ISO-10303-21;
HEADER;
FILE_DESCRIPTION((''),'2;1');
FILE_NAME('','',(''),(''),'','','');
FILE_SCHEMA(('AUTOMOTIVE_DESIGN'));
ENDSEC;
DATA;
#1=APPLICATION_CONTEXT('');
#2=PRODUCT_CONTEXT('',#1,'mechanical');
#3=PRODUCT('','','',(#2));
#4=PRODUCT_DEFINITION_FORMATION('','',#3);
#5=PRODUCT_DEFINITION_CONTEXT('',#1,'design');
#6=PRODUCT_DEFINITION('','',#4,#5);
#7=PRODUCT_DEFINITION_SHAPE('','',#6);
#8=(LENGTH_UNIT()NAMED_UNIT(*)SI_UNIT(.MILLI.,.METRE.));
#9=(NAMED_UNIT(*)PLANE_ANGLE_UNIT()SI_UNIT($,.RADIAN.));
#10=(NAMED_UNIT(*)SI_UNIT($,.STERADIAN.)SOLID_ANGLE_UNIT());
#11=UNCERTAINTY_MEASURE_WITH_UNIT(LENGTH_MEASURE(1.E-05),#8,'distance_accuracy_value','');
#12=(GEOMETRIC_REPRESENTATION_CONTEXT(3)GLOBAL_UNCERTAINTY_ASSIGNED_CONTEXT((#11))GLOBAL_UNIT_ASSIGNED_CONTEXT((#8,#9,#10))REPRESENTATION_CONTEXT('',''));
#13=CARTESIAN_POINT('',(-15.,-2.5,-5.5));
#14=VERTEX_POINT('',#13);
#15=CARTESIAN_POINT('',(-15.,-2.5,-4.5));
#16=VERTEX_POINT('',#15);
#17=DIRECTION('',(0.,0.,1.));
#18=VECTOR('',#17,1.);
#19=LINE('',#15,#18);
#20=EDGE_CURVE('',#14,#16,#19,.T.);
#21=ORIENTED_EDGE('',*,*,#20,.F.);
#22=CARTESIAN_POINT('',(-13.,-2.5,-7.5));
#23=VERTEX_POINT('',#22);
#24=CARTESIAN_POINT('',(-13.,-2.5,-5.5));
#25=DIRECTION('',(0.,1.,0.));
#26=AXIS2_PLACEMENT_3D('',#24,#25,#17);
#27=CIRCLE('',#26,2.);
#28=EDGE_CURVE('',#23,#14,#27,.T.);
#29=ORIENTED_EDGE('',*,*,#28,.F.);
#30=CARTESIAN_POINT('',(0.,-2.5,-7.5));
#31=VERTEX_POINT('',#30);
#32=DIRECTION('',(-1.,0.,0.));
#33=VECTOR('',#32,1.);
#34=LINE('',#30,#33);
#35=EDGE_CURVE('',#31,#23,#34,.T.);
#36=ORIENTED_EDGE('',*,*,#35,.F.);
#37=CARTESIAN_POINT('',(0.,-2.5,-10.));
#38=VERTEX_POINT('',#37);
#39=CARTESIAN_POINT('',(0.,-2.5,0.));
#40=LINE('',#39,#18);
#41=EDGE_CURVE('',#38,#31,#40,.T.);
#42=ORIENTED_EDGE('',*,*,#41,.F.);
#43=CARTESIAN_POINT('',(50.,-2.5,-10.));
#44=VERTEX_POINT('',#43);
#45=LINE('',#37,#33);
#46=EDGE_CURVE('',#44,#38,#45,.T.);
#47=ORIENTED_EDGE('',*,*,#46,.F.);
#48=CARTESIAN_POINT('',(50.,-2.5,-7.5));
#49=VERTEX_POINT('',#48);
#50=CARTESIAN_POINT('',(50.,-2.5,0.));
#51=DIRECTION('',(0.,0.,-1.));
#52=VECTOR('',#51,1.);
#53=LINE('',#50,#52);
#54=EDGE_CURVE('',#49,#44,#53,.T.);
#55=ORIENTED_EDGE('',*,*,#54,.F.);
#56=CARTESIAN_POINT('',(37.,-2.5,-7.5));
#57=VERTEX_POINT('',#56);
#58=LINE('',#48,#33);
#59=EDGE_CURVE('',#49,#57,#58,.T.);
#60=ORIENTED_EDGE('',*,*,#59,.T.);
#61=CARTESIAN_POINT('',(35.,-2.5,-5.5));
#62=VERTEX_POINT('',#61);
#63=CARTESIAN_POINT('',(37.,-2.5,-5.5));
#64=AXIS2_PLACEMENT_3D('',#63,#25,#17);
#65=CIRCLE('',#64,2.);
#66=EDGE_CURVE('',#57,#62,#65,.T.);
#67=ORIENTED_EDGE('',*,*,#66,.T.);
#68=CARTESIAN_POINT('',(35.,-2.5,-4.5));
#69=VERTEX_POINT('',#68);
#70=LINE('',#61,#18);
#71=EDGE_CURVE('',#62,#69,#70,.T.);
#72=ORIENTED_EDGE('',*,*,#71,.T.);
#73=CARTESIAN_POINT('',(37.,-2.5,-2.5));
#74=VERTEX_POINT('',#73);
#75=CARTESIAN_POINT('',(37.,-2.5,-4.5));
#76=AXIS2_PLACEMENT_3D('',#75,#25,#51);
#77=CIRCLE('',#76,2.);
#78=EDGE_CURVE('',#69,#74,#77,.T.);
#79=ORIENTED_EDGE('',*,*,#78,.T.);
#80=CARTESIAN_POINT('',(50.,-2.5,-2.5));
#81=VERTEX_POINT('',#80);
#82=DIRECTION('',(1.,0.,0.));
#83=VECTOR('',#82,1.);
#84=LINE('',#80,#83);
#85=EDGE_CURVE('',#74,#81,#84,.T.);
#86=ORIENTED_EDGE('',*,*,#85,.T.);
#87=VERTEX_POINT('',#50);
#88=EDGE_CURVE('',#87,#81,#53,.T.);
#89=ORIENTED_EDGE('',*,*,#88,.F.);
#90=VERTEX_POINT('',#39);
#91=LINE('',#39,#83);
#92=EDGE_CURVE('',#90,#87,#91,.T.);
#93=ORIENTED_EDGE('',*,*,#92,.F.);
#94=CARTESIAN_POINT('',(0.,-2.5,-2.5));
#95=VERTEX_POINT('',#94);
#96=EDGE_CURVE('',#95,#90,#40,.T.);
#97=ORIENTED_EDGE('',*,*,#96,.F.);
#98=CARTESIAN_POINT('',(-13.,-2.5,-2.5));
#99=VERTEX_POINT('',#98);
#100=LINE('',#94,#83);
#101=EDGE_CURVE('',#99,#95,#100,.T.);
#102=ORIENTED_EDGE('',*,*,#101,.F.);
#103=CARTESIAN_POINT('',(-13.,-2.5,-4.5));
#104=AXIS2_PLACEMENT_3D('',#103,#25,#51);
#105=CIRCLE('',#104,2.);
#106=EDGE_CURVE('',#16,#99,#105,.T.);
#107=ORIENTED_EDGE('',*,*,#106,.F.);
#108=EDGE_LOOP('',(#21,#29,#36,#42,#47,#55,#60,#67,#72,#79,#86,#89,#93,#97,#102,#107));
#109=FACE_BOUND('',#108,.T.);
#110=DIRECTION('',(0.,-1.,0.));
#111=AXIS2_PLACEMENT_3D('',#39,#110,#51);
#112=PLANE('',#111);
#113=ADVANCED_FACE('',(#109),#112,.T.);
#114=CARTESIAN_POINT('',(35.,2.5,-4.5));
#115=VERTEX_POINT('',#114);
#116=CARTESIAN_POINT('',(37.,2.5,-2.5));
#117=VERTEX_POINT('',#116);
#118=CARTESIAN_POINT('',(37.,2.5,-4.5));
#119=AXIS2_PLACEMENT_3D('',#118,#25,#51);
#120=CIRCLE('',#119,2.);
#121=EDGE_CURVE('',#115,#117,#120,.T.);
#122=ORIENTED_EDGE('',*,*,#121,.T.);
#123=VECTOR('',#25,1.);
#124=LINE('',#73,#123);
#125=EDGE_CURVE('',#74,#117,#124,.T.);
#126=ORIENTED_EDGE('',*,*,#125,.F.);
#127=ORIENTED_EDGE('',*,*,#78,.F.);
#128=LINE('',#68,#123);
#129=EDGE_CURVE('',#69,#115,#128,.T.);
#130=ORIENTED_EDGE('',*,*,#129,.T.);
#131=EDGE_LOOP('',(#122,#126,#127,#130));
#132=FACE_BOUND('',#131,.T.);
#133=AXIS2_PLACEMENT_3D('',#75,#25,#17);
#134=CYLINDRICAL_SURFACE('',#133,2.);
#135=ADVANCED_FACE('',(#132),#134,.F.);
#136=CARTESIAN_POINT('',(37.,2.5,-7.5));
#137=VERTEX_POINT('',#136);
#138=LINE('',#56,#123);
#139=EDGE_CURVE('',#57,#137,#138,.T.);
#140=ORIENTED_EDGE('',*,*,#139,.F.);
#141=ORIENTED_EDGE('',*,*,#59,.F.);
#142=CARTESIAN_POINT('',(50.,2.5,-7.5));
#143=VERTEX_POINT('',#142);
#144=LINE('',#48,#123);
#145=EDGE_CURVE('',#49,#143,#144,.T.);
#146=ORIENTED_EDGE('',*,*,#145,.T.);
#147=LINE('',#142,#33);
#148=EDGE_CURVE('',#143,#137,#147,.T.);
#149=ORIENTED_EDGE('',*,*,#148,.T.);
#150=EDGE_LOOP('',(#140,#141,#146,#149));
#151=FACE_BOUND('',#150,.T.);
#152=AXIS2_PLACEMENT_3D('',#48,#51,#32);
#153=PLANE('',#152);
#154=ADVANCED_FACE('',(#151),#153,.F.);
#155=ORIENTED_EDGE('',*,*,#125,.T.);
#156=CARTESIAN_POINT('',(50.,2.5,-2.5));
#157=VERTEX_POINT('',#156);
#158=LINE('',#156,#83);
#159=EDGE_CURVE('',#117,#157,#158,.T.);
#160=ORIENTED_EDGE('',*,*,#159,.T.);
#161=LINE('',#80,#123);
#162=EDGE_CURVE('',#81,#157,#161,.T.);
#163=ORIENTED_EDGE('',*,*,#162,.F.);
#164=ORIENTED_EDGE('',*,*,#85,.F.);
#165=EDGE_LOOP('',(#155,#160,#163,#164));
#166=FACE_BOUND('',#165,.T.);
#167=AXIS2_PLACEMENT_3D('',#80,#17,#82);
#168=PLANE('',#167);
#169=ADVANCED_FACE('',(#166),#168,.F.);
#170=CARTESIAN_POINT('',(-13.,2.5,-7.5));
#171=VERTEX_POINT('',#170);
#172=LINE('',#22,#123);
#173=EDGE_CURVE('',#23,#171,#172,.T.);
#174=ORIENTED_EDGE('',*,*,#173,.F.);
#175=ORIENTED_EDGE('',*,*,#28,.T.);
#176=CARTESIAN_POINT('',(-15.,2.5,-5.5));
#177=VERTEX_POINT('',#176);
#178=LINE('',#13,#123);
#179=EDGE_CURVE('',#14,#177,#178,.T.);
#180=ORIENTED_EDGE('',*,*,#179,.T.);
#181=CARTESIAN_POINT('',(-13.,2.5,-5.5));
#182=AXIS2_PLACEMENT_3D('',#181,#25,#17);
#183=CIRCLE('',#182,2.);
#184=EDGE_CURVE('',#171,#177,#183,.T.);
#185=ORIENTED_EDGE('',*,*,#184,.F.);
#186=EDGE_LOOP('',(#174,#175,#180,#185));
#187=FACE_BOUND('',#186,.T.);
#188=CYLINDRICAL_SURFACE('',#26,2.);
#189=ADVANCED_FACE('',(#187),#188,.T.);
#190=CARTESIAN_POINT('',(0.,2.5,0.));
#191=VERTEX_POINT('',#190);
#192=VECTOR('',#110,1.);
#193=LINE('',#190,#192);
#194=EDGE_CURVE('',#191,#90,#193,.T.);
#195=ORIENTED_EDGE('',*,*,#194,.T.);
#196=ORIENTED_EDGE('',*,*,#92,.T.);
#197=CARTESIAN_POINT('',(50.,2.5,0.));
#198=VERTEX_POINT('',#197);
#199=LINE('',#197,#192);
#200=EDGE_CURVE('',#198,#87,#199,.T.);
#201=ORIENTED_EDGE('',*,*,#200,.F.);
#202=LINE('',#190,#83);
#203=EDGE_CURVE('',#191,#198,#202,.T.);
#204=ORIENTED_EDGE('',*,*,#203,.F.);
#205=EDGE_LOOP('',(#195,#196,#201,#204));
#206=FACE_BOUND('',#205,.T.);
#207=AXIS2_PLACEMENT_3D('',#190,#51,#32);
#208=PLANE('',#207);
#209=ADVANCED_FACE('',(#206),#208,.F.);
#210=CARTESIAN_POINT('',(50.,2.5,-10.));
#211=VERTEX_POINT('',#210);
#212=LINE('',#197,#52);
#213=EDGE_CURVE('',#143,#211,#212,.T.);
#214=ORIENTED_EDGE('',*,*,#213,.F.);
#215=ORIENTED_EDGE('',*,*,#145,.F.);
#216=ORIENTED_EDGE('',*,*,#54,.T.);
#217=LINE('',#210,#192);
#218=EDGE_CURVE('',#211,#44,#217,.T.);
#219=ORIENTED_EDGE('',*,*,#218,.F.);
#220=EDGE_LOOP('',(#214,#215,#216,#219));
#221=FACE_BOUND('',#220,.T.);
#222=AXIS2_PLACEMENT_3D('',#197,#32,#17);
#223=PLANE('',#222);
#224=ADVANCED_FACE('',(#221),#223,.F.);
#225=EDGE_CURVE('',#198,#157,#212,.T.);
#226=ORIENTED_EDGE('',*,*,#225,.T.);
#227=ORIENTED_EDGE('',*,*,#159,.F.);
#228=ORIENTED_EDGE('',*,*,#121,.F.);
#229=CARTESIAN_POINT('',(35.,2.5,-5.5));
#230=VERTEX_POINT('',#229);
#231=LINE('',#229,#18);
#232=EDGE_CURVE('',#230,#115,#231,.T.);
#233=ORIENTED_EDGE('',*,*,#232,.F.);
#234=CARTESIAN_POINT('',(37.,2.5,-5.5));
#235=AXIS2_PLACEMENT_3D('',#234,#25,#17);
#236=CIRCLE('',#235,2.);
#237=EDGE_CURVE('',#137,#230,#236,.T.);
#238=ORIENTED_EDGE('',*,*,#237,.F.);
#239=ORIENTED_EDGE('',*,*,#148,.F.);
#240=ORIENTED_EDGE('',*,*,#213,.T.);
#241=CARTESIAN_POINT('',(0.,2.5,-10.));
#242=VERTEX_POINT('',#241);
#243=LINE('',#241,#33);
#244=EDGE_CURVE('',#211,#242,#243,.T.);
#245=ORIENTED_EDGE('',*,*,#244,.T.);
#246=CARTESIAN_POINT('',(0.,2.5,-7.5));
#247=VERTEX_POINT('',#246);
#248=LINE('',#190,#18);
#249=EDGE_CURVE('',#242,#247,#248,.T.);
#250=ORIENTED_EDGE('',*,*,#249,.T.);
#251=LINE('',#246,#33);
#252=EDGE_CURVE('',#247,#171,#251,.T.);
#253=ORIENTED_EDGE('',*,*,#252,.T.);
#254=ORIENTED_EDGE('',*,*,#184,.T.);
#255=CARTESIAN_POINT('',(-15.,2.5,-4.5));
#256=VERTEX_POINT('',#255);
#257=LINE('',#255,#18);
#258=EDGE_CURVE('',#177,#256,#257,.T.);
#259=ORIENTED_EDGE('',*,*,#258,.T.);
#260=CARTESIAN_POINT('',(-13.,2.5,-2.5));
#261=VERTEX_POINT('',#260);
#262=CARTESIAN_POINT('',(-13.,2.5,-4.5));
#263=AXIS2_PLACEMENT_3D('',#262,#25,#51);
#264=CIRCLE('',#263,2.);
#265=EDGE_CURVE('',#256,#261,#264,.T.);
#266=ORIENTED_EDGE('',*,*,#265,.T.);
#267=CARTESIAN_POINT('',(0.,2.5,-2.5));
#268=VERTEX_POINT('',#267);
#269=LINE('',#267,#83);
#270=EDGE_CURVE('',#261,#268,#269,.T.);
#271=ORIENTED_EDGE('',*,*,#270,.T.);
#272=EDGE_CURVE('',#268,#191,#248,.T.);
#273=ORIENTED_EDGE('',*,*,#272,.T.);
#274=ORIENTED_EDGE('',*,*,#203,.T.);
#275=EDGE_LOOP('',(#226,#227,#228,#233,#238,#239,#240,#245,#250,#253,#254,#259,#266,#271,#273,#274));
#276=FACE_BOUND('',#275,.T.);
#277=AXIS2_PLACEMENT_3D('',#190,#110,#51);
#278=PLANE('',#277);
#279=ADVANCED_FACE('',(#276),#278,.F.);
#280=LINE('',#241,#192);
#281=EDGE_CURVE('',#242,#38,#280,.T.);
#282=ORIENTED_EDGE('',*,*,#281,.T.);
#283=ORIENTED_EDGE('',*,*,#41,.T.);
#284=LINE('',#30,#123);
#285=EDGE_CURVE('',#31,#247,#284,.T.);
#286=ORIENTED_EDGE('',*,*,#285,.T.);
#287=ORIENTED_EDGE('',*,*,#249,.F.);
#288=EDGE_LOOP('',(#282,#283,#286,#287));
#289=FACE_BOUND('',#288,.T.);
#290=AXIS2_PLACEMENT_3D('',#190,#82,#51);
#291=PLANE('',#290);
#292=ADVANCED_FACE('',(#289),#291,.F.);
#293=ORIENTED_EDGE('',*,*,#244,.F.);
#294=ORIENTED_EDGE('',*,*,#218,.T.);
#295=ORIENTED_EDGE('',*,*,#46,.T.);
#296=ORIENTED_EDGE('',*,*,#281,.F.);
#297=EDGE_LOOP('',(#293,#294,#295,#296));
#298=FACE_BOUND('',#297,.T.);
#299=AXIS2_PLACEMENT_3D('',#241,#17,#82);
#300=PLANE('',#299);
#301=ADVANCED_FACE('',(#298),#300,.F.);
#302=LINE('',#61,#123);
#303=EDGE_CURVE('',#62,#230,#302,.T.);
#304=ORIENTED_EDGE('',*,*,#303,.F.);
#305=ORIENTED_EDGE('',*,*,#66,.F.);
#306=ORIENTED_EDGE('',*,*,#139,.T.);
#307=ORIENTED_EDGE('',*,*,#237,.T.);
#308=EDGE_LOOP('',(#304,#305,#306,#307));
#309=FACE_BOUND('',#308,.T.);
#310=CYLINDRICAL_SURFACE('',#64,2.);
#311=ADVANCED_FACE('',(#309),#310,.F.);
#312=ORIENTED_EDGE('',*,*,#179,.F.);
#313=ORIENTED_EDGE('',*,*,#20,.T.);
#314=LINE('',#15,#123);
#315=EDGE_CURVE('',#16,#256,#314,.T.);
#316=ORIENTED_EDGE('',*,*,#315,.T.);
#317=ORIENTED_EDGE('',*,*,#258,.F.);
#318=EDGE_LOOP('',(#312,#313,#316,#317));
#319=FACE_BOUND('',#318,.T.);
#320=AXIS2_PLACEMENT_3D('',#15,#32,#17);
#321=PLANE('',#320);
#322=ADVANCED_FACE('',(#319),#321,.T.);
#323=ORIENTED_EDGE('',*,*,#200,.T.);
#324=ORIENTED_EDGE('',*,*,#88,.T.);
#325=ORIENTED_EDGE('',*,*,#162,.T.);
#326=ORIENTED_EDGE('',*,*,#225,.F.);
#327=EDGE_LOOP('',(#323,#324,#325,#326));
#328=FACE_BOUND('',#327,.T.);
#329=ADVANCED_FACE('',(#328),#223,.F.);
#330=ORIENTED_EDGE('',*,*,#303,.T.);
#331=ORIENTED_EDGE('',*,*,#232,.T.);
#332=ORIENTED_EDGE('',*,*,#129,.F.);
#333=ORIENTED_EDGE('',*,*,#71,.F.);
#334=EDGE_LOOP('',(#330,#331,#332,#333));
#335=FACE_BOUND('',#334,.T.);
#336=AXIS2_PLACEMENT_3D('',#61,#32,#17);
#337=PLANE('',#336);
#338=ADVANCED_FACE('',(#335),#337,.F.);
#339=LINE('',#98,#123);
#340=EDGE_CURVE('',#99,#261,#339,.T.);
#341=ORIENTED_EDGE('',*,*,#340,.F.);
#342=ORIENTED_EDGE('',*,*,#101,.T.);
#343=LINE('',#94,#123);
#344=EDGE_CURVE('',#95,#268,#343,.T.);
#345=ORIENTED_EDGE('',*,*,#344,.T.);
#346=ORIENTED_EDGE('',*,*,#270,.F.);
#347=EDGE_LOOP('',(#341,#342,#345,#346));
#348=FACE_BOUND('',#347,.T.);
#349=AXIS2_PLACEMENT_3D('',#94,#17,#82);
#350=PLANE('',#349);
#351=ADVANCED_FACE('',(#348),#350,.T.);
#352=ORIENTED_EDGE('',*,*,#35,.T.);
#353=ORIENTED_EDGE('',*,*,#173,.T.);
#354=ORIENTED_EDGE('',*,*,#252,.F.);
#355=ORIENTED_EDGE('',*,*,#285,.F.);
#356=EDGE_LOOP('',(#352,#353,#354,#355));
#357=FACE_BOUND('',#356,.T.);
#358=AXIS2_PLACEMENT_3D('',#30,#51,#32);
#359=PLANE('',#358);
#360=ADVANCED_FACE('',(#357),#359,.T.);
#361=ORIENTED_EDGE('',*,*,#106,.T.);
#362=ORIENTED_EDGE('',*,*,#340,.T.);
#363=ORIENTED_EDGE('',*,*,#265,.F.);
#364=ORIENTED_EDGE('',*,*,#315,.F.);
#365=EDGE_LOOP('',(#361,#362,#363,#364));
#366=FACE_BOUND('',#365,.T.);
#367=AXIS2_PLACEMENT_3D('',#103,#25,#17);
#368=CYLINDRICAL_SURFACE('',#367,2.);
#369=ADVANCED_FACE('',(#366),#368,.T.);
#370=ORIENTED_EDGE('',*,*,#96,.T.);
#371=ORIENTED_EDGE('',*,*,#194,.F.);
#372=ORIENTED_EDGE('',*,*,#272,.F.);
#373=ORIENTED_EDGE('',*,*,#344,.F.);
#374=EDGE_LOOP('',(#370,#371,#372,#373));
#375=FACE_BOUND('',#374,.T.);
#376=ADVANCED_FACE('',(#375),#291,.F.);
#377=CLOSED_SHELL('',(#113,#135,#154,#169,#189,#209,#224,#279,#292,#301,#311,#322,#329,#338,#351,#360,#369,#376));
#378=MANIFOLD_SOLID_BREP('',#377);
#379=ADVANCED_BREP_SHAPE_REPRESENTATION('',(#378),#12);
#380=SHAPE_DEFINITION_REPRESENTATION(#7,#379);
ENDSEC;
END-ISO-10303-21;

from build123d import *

# Parameters (mm, degrees)
CROQUIS1_W              = 50
CROQUIS1_H              = 10
SALIENTE_EXTRUIR1_DEPTH = 2.5
CORTAR_EXTRUIR1_DEPTH   = 52.23475383
SALIENTE_EXTRUIR2_DEPTH = 5


with BuildPart() as part:
    # Croquis1 → Saliente-Extruir1 (new, symmetric)
    with BuildSketch(Plane(origin=(0, 0, 0), x_dir=(1, 0, 0), z_dir=(0, 1, 0))):
        with Locations((25, 5)):
            Rectangle(CROQUIS1_W, CROQUIS1_H)
    extrude(amount=SALIENTE_EXTRUIR1_DEPTH, both=True)

    # Croquis2 → Cortar-Extruir1 (cut, through all)
    with BuildSketch(Plane(origin=(0, 2.5, 0), x_dir=(1, 0, 0), z_dir=(0, 1, 0))):
        with BuildLine():
            Line((50, 7.5), (37, 7.5))
            ThreePointArc((37, 7.5), (35.585786438, 6.914213562), (35, 5.5))
            Line((35, 5.5), (35, 4.5))
            ThreePointArc((35, 4.5), (35.585786438, 3.085786438), (37, 2.5))
            Line((37, 2.5), (50, 2.5))
            Line((50, 2.5), (50, 7.5))
        make_face()
    extrude(amount=-CORTAR_EXTRUIR1_DEPTH, mode=Mode.SUBTRACT)

    # Croquis3 → Saliente-Extruir2 (add)
    with BuildSketch(Plane(origin=(0, 2.5, 0), x_dir=(1, 0, 0), z_dir=(0, 1, 0))):
        with BuildLine():
            Line((0, 2.5), (-13, 2.5))
            ThreePointArc((-13, 2.5), (-14.414213562, 3.085786438), (-15, 4.5))
            Line((-15, 4.5), (-15, 5.5))
            ThreePointArc((-15, 5.5), (-14.414213562, 6.914213562), (-13, 7.5))
            Line((-13, 7.5), (0, 7.5))
            Line((0, 7.5), (0, 2.5))
        make_face()
    extrude(amount=-SALIENTE_EXTRUIR2_DEPTH)


solid = part.part
